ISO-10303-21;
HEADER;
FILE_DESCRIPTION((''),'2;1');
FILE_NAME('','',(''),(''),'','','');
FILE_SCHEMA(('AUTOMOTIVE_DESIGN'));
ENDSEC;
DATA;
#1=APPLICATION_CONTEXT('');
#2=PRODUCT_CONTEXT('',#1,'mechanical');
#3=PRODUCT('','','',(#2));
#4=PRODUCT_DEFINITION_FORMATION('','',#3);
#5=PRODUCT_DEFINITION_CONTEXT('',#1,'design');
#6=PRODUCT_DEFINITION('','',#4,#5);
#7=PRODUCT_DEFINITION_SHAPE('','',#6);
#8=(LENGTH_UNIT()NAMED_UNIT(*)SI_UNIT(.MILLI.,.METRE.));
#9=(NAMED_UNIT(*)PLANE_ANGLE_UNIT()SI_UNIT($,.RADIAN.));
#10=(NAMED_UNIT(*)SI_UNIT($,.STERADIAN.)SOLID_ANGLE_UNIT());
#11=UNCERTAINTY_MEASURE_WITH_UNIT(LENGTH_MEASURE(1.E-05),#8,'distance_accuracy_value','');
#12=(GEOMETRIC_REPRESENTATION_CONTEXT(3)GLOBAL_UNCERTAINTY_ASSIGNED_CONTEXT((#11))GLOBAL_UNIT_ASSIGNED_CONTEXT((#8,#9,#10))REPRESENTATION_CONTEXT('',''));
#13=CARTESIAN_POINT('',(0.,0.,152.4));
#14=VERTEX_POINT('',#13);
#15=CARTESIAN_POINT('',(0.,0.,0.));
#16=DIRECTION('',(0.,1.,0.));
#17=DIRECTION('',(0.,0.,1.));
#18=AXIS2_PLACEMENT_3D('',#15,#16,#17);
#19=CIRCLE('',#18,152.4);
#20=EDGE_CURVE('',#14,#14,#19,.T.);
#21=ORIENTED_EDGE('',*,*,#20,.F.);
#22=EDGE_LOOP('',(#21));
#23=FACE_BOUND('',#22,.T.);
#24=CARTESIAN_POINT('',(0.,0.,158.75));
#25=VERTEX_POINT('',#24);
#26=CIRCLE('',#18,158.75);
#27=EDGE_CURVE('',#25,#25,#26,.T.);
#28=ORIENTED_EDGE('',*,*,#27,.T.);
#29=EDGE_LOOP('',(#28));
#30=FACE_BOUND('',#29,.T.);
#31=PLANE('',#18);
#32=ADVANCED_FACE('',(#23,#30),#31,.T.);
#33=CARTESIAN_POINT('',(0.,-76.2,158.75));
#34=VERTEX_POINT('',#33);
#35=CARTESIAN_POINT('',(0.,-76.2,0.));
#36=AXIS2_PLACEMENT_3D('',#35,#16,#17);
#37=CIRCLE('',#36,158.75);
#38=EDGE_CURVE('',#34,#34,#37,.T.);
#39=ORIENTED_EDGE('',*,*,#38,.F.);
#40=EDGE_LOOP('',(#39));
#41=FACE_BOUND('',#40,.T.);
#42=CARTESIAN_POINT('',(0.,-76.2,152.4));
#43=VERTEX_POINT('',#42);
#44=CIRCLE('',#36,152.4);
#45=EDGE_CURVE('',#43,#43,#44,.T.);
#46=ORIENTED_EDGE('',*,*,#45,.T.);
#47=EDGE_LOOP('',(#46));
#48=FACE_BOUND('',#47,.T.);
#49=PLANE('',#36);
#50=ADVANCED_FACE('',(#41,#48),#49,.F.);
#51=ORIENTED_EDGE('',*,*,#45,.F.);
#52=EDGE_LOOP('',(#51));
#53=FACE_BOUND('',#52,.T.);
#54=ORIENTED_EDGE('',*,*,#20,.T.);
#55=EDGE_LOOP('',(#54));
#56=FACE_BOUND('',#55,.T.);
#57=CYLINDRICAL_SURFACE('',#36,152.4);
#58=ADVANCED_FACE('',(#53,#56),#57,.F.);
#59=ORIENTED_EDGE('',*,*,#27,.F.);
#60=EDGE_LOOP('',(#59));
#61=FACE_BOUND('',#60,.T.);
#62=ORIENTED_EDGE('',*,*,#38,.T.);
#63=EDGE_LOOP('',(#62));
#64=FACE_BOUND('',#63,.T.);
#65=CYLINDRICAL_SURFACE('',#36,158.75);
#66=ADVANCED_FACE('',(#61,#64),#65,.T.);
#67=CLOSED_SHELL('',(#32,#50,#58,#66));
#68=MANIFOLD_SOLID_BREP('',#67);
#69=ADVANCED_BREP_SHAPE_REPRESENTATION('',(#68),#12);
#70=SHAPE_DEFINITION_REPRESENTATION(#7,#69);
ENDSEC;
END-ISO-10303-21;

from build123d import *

# Parameters (mm, degrees)
SKETCH1_R           = 158.75
SKETCH1_R_2         = 152.4
BOSS_EXTRUDE1_DEPTH = 76.2


with BuildPart() as part:
    # Sketch1 → Boss-Extrude1 (new body)
    with BuildSketch(Plane(origin=(0, 0, 0), x_dir=(1, 0, 0), z_dir=(0, 1, 0))):
        Circle(SKETCH1_R)
        Circle(SKETCH1_R_2, mode=Mode.SUBTRACT)
    extrude(amount=-BOSS_EXTRUDE1_DEPTH)


solid = part.part
